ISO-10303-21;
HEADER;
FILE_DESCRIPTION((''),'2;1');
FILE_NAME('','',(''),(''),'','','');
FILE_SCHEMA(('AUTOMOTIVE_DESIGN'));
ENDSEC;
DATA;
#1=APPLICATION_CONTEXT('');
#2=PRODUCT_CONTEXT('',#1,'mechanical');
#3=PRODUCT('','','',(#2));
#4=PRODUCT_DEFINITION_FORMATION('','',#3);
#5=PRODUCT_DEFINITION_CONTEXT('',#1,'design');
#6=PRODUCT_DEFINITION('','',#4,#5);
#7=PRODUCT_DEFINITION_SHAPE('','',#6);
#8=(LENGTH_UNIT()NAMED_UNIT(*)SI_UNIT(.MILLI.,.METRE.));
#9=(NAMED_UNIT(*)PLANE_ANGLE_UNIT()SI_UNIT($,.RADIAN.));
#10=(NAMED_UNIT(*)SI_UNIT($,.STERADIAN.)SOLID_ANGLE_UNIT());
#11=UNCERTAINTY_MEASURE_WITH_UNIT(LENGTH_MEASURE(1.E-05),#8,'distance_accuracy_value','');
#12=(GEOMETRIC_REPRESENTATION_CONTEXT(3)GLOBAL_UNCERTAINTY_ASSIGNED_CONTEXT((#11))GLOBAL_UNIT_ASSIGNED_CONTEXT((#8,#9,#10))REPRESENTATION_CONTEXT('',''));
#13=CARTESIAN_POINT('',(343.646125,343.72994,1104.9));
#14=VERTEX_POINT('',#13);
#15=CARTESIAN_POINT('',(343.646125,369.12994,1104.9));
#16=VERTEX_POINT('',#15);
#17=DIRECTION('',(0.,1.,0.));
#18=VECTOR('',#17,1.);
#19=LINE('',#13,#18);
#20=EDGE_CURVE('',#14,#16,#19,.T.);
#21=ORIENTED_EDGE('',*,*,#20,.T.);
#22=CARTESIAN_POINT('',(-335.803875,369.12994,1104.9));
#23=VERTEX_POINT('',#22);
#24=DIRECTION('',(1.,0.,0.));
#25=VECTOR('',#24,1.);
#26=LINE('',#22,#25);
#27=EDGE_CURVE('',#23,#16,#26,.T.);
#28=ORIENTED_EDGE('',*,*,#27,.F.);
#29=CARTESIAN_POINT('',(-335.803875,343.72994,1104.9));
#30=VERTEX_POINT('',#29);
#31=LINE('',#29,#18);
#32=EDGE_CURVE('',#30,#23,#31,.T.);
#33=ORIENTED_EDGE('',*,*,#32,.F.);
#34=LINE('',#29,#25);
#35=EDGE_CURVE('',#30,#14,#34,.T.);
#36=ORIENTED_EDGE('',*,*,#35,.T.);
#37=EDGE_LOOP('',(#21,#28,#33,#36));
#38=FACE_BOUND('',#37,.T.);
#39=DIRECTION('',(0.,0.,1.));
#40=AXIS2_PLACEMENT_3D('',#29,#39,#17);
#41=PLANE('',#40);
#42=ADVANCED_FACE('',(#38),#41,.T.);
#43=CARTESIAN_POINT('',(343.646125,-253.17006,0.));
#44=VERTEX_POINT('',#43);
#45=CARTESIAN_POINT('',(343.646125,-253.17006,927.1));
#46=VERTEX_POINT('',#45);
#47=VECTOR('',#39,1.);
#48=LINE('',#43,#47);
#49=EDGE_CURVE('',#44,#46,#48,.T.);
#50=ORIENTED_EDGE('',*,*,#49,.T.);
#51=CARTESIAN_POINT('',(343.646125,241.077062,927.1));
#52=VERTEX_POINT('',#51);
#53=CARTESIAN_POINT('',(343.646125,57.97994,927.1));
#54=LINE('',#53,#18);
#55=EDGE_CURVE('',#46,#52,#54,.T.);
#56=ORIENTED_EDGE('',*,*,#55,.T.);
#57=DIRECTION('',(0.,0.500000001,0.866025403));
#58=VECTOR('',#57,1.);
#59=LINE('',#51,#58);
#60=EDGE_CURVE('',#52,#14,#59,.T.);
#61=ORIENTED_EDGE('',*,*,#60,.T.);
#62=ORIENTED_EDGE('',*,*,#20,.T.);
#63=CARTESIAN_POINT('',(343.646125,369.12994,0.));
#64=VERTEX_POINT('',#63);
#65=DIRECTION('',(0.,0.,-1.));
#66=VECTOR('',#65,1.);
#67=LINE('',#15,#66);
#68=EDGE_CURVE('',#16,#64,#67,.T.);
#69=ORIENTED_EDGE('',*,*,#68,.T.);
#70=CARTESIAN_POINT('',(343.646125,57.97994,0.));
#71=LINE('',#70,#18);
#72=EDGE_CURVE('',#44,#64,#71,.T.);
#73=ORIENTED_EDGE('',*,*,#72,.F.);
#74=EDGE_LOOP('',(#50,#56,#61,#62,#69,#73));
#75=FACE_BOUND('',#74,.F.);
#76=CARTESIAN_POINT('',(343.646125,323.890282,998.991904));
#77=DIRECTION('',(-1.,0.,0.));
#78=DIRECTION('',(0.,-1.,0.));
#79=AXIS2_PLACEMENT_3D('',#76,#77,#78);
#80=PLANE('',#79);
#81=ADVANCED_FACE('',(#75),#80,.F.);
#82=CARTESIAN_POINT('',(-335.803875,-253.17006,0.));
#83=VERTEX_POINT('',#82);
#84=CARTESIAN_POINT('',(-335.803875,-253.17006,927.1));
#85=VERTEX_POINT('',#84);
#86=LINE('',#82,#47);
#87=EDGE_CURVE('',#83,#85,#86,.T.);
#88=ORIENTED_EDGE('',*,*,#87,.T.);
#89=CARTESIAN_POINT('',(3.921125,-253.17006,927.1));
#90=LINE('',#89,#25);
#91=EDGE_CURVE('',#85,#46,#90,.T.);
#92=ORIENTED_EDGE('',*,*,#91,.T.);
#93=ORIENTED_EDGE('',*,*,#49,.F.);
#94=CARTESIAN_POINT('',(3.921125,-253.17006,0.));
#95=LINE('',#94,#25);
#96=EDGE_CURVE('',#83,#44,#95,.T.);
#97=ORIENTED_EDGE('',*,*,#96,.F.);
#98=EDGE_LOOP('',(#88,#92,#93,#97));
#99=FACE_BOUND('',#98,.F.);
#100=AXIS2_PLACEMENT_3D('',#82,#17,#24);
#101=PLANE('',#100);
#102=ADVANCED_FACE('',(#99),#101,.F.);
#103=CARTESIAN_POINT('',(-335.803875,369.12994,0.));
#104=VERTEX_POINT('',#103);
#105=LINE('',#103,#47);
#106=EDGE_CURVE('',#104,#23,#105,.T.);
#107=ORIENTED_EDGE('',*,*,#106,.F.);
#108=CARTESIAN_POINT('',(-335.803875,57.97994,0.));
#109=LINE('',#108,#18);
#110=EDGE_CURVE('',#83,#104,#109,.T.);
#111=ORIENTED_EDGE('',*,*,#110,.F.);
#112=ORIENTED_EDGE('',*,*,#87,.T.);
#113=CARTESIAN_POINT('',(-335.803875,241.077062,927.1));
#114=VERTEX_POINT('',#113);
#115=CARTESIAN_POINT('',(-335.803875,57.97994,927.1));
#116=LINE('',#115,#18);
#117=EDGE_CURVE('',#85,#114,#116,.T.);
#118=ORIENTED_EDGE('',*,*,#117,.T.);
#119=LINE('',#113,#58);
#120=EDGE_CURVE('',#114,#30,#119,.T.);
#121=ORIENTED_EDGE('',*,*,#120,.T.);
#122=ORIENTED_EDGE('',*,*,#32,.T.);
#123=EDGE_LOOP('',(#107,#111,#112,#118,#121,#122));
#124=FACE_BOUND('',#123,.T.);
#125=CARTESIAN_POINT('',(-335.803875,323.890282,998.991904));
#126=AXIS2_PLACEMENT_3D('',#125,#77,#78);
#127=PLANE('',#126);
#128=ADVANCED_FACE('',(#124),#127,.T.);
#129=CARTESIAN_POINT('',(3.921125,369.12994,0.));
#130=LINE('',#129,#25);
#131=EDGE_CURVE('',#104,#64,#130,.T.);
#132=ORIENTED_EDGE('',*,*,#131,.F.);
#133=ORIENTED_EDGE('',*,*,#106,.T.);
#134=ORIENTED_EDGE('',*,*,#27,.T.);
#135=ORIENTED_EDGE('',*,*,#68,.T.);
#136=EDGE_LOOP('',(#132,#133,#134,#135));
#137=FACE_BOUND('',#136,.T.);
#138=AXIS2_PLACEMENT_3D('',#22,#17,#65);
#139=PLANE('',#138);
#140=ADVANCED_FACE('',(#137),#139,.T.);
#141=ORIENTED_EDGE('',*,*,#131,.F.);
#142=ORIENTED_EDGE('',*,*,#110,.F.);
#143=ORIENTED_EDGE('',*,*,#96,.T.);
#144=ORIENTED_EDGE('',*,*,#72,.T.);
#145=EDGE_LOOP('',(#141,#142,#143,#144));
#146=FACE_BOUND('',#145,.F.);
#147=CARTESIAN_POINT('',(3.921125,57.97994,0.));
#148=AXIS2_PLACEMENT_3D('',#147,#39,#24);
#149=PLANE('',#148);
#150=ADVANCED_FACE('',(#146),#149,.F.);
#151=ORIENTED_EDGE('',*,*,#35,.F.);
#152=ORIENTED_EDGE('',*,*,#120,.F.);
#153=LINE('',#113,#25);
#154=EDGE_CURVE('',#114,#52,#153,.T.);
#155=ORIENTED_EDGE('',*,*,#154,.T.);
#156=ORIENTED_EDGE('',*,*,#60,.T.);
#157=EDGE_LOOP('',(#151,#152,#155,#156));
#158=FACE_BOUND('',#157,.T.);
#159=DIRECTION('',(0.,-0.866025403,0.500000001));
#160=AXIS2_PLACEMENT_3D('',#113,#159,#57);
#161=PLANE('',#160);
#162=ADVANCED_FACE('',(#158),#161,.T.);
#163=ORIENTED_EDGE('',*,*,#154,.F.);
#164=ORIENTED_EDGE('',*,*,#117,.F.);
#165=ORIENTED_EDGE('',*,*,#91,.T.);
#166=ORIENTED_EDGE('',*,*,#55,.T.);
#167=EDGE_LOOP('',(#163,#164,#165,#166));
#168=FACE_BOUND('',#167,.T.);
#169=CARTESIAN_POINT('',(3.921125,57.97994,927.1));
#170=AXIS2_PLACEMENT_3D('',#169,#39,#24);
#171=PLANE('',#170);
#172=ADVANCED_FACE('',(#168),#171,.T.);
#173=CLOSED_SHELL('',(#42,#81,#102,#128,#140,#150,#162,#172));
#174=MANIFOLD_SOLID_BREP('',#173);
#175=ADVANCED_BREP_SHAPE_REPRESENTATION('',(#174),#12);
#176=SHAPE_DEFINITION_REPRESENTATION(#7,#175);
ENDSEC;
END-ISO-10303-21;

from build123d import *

# Parameters (mm, degrees)
F0_W     = 679.45
F0_H     = 622.3
F1_DEPTH = 927.1
F3_DEPTH = 679.45


with BuildPart() as f1:
    # F0 (on Top) → F1 (new body)
    with BuildSketch(Plane.XY):
        with Locations((3.921125, 57.97994)):
            Rectangle(F0_W, F0_H)
    extrude(amount=F1_DEPTH)

    # F2 (on face) → F3 (join, through all)
    with BuildSketch(Plane(origin=(-335.803875, 0, 0), x_dir=(0, -1, 0), z_dir=(-1, 0, 0))):
        Polygon((-369.12994, 1104.9), (-369.12994, 927.1), (-241.077062, 927.1), (-343.72994, 1104.9), align=None)
    extrude(amount=-F3_DEPTH)


solid = f1.part
